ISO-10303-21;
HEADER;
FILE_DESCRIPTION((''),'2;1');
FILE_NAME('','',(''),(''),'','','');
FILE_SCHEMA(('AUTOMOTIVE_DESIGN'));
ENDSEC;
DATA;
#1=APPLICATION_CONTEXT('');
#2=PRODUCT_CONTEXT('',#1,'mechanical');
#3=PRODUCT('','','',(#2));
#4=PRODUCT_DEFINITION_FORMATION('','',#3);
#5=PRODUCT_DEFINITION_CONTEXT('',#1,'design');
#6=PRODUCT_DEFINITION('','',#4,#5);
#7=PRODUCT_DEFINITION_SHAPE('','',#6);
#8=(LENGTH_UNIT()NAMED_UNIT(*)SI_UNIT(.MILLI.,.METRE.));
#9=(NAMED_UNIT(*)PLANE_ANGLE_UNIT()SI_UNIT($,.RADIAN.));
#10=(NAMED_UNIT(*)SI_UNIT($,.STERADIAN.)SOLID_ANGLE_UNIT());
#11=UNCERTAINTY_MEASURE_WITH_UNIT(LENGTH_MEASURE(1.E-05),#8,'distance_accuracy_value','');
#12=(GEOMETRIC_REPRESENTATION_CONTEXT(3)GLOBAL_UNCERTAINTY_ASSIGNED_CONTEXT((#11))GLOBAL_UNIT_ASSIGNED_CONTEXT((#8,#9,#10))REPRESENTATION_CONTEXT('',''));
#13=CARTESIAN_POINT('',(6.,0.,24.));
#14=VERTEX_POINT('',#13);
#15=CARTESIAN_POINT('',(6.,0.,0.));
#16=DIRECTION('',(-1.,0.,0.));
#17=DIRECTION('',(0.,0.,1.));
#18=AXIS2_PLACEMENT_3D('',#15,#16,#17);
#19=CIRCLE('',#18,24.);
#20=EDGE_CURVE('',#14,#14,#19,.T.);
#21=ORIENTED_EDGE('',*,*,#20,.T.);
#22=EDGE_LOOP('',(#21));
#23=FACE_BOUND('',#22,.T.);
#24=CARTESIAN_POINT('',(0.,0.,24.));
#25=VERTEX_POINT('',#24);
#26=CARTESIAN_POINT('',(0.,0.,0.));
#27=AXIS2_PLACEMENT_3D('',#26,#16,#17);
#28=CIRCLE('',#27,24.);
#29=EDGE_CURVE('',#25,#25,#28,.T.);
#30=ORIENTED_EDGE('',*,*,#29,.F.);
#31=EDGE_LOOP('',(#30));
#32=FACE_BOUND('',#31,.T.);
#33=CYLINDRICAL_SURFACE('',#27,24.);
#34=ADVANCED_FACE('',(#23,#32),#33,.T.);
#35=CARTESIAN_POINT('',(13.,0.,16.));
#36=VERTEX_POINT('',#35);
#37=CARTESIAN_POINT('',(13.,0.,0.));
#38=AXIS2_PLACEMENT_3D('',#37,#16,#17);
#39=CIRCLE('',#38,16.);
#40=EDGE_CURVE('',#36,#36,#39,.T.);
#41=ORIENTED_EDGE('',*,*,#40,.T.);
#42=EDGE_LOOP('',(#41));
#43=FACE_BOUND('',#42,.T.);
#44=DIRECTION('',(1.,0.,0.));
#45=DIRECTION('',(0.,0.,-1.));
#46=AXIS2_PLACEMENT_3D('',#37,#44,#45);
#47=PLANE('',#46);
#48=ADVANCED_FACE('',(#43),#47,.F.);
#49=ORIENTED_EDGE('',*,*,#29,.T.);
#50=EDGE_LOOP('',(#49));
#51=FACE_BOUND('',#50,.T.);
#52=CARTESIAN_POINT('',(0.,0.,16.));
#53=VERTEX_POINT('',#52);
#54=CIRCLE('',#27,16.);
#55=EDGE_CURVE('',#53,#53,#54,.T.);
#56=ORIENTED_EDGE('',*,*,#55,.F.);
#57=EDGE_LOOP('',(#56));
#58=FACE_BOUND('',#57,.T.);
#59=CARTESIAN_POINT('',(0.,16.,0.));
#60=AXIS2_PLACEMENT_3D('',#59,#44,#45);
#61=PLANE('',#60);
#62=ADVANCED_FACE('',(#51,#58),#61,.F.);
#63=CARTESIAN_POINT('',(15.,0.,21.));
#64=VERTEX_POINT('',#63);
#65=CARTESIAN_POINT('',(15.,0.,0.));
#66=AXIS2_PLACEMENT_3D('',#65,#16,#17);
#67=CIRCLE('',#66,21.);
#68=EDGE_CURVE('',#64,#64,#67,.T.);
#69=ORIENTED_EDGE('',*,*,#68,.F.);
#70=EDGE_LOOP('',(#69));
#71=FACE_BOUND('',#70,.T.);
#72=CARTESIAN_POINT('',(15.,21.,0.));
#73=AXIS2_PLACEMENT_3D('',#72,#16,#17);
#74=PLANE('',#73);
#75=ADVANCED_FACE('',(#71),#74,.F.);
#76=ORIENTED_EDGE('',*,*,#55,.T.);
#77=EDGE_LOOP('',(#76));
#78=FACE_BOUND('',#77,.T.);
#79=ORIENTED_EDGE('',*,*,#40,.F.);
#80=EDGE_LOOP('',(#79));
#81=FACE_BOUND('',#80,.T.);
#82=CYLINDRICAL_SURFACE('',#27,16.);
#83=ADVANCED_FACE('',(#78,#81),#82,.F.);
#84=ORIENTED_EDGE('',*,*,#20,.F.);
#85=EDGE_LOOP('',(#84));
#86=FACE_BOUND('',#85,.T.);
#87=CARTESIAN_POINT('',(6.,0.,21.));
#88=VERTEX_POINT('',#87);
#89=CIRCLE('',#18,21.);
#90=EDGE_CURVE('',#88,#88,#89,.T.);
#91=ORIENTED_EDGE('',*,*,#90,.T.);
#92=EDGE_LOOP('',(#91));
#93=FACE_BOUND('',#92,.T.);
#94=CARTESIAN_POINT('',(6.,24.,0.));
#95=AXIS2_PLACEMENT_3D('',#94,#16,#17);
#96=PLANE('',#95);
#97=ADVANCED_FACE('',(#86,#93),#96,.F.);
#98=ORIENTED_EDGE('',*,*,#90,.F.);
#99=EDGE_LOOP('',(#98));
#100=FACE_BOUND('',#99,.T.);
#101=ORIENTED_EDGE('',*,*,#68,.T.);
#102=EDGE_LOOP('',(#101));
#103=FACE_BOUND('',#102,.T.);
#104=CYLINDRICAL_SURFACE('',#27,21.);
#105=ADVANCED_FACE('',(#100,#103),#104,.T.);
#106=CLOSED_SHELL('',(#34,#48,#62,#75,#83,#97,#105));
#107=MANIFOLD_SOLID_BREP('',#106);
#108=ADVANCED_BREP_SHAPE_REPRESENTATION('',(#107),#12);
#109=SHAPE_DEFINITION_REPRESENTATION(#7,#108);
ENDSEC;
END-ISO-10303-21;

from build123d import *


with BuildPart() as part:
    # Esquisse2 → Révolution1 (revolve)
    with BuildSketch(Plane.XY):
        Polygon((13, 0), (13, 16), (0, 16), (0, 24), (6, 24), (6, 21), (15, 21), (15, 0), align=None)
    revolve(axis=Axis((0, 0, 0), (1, 0, 0)))


solid = part.part
